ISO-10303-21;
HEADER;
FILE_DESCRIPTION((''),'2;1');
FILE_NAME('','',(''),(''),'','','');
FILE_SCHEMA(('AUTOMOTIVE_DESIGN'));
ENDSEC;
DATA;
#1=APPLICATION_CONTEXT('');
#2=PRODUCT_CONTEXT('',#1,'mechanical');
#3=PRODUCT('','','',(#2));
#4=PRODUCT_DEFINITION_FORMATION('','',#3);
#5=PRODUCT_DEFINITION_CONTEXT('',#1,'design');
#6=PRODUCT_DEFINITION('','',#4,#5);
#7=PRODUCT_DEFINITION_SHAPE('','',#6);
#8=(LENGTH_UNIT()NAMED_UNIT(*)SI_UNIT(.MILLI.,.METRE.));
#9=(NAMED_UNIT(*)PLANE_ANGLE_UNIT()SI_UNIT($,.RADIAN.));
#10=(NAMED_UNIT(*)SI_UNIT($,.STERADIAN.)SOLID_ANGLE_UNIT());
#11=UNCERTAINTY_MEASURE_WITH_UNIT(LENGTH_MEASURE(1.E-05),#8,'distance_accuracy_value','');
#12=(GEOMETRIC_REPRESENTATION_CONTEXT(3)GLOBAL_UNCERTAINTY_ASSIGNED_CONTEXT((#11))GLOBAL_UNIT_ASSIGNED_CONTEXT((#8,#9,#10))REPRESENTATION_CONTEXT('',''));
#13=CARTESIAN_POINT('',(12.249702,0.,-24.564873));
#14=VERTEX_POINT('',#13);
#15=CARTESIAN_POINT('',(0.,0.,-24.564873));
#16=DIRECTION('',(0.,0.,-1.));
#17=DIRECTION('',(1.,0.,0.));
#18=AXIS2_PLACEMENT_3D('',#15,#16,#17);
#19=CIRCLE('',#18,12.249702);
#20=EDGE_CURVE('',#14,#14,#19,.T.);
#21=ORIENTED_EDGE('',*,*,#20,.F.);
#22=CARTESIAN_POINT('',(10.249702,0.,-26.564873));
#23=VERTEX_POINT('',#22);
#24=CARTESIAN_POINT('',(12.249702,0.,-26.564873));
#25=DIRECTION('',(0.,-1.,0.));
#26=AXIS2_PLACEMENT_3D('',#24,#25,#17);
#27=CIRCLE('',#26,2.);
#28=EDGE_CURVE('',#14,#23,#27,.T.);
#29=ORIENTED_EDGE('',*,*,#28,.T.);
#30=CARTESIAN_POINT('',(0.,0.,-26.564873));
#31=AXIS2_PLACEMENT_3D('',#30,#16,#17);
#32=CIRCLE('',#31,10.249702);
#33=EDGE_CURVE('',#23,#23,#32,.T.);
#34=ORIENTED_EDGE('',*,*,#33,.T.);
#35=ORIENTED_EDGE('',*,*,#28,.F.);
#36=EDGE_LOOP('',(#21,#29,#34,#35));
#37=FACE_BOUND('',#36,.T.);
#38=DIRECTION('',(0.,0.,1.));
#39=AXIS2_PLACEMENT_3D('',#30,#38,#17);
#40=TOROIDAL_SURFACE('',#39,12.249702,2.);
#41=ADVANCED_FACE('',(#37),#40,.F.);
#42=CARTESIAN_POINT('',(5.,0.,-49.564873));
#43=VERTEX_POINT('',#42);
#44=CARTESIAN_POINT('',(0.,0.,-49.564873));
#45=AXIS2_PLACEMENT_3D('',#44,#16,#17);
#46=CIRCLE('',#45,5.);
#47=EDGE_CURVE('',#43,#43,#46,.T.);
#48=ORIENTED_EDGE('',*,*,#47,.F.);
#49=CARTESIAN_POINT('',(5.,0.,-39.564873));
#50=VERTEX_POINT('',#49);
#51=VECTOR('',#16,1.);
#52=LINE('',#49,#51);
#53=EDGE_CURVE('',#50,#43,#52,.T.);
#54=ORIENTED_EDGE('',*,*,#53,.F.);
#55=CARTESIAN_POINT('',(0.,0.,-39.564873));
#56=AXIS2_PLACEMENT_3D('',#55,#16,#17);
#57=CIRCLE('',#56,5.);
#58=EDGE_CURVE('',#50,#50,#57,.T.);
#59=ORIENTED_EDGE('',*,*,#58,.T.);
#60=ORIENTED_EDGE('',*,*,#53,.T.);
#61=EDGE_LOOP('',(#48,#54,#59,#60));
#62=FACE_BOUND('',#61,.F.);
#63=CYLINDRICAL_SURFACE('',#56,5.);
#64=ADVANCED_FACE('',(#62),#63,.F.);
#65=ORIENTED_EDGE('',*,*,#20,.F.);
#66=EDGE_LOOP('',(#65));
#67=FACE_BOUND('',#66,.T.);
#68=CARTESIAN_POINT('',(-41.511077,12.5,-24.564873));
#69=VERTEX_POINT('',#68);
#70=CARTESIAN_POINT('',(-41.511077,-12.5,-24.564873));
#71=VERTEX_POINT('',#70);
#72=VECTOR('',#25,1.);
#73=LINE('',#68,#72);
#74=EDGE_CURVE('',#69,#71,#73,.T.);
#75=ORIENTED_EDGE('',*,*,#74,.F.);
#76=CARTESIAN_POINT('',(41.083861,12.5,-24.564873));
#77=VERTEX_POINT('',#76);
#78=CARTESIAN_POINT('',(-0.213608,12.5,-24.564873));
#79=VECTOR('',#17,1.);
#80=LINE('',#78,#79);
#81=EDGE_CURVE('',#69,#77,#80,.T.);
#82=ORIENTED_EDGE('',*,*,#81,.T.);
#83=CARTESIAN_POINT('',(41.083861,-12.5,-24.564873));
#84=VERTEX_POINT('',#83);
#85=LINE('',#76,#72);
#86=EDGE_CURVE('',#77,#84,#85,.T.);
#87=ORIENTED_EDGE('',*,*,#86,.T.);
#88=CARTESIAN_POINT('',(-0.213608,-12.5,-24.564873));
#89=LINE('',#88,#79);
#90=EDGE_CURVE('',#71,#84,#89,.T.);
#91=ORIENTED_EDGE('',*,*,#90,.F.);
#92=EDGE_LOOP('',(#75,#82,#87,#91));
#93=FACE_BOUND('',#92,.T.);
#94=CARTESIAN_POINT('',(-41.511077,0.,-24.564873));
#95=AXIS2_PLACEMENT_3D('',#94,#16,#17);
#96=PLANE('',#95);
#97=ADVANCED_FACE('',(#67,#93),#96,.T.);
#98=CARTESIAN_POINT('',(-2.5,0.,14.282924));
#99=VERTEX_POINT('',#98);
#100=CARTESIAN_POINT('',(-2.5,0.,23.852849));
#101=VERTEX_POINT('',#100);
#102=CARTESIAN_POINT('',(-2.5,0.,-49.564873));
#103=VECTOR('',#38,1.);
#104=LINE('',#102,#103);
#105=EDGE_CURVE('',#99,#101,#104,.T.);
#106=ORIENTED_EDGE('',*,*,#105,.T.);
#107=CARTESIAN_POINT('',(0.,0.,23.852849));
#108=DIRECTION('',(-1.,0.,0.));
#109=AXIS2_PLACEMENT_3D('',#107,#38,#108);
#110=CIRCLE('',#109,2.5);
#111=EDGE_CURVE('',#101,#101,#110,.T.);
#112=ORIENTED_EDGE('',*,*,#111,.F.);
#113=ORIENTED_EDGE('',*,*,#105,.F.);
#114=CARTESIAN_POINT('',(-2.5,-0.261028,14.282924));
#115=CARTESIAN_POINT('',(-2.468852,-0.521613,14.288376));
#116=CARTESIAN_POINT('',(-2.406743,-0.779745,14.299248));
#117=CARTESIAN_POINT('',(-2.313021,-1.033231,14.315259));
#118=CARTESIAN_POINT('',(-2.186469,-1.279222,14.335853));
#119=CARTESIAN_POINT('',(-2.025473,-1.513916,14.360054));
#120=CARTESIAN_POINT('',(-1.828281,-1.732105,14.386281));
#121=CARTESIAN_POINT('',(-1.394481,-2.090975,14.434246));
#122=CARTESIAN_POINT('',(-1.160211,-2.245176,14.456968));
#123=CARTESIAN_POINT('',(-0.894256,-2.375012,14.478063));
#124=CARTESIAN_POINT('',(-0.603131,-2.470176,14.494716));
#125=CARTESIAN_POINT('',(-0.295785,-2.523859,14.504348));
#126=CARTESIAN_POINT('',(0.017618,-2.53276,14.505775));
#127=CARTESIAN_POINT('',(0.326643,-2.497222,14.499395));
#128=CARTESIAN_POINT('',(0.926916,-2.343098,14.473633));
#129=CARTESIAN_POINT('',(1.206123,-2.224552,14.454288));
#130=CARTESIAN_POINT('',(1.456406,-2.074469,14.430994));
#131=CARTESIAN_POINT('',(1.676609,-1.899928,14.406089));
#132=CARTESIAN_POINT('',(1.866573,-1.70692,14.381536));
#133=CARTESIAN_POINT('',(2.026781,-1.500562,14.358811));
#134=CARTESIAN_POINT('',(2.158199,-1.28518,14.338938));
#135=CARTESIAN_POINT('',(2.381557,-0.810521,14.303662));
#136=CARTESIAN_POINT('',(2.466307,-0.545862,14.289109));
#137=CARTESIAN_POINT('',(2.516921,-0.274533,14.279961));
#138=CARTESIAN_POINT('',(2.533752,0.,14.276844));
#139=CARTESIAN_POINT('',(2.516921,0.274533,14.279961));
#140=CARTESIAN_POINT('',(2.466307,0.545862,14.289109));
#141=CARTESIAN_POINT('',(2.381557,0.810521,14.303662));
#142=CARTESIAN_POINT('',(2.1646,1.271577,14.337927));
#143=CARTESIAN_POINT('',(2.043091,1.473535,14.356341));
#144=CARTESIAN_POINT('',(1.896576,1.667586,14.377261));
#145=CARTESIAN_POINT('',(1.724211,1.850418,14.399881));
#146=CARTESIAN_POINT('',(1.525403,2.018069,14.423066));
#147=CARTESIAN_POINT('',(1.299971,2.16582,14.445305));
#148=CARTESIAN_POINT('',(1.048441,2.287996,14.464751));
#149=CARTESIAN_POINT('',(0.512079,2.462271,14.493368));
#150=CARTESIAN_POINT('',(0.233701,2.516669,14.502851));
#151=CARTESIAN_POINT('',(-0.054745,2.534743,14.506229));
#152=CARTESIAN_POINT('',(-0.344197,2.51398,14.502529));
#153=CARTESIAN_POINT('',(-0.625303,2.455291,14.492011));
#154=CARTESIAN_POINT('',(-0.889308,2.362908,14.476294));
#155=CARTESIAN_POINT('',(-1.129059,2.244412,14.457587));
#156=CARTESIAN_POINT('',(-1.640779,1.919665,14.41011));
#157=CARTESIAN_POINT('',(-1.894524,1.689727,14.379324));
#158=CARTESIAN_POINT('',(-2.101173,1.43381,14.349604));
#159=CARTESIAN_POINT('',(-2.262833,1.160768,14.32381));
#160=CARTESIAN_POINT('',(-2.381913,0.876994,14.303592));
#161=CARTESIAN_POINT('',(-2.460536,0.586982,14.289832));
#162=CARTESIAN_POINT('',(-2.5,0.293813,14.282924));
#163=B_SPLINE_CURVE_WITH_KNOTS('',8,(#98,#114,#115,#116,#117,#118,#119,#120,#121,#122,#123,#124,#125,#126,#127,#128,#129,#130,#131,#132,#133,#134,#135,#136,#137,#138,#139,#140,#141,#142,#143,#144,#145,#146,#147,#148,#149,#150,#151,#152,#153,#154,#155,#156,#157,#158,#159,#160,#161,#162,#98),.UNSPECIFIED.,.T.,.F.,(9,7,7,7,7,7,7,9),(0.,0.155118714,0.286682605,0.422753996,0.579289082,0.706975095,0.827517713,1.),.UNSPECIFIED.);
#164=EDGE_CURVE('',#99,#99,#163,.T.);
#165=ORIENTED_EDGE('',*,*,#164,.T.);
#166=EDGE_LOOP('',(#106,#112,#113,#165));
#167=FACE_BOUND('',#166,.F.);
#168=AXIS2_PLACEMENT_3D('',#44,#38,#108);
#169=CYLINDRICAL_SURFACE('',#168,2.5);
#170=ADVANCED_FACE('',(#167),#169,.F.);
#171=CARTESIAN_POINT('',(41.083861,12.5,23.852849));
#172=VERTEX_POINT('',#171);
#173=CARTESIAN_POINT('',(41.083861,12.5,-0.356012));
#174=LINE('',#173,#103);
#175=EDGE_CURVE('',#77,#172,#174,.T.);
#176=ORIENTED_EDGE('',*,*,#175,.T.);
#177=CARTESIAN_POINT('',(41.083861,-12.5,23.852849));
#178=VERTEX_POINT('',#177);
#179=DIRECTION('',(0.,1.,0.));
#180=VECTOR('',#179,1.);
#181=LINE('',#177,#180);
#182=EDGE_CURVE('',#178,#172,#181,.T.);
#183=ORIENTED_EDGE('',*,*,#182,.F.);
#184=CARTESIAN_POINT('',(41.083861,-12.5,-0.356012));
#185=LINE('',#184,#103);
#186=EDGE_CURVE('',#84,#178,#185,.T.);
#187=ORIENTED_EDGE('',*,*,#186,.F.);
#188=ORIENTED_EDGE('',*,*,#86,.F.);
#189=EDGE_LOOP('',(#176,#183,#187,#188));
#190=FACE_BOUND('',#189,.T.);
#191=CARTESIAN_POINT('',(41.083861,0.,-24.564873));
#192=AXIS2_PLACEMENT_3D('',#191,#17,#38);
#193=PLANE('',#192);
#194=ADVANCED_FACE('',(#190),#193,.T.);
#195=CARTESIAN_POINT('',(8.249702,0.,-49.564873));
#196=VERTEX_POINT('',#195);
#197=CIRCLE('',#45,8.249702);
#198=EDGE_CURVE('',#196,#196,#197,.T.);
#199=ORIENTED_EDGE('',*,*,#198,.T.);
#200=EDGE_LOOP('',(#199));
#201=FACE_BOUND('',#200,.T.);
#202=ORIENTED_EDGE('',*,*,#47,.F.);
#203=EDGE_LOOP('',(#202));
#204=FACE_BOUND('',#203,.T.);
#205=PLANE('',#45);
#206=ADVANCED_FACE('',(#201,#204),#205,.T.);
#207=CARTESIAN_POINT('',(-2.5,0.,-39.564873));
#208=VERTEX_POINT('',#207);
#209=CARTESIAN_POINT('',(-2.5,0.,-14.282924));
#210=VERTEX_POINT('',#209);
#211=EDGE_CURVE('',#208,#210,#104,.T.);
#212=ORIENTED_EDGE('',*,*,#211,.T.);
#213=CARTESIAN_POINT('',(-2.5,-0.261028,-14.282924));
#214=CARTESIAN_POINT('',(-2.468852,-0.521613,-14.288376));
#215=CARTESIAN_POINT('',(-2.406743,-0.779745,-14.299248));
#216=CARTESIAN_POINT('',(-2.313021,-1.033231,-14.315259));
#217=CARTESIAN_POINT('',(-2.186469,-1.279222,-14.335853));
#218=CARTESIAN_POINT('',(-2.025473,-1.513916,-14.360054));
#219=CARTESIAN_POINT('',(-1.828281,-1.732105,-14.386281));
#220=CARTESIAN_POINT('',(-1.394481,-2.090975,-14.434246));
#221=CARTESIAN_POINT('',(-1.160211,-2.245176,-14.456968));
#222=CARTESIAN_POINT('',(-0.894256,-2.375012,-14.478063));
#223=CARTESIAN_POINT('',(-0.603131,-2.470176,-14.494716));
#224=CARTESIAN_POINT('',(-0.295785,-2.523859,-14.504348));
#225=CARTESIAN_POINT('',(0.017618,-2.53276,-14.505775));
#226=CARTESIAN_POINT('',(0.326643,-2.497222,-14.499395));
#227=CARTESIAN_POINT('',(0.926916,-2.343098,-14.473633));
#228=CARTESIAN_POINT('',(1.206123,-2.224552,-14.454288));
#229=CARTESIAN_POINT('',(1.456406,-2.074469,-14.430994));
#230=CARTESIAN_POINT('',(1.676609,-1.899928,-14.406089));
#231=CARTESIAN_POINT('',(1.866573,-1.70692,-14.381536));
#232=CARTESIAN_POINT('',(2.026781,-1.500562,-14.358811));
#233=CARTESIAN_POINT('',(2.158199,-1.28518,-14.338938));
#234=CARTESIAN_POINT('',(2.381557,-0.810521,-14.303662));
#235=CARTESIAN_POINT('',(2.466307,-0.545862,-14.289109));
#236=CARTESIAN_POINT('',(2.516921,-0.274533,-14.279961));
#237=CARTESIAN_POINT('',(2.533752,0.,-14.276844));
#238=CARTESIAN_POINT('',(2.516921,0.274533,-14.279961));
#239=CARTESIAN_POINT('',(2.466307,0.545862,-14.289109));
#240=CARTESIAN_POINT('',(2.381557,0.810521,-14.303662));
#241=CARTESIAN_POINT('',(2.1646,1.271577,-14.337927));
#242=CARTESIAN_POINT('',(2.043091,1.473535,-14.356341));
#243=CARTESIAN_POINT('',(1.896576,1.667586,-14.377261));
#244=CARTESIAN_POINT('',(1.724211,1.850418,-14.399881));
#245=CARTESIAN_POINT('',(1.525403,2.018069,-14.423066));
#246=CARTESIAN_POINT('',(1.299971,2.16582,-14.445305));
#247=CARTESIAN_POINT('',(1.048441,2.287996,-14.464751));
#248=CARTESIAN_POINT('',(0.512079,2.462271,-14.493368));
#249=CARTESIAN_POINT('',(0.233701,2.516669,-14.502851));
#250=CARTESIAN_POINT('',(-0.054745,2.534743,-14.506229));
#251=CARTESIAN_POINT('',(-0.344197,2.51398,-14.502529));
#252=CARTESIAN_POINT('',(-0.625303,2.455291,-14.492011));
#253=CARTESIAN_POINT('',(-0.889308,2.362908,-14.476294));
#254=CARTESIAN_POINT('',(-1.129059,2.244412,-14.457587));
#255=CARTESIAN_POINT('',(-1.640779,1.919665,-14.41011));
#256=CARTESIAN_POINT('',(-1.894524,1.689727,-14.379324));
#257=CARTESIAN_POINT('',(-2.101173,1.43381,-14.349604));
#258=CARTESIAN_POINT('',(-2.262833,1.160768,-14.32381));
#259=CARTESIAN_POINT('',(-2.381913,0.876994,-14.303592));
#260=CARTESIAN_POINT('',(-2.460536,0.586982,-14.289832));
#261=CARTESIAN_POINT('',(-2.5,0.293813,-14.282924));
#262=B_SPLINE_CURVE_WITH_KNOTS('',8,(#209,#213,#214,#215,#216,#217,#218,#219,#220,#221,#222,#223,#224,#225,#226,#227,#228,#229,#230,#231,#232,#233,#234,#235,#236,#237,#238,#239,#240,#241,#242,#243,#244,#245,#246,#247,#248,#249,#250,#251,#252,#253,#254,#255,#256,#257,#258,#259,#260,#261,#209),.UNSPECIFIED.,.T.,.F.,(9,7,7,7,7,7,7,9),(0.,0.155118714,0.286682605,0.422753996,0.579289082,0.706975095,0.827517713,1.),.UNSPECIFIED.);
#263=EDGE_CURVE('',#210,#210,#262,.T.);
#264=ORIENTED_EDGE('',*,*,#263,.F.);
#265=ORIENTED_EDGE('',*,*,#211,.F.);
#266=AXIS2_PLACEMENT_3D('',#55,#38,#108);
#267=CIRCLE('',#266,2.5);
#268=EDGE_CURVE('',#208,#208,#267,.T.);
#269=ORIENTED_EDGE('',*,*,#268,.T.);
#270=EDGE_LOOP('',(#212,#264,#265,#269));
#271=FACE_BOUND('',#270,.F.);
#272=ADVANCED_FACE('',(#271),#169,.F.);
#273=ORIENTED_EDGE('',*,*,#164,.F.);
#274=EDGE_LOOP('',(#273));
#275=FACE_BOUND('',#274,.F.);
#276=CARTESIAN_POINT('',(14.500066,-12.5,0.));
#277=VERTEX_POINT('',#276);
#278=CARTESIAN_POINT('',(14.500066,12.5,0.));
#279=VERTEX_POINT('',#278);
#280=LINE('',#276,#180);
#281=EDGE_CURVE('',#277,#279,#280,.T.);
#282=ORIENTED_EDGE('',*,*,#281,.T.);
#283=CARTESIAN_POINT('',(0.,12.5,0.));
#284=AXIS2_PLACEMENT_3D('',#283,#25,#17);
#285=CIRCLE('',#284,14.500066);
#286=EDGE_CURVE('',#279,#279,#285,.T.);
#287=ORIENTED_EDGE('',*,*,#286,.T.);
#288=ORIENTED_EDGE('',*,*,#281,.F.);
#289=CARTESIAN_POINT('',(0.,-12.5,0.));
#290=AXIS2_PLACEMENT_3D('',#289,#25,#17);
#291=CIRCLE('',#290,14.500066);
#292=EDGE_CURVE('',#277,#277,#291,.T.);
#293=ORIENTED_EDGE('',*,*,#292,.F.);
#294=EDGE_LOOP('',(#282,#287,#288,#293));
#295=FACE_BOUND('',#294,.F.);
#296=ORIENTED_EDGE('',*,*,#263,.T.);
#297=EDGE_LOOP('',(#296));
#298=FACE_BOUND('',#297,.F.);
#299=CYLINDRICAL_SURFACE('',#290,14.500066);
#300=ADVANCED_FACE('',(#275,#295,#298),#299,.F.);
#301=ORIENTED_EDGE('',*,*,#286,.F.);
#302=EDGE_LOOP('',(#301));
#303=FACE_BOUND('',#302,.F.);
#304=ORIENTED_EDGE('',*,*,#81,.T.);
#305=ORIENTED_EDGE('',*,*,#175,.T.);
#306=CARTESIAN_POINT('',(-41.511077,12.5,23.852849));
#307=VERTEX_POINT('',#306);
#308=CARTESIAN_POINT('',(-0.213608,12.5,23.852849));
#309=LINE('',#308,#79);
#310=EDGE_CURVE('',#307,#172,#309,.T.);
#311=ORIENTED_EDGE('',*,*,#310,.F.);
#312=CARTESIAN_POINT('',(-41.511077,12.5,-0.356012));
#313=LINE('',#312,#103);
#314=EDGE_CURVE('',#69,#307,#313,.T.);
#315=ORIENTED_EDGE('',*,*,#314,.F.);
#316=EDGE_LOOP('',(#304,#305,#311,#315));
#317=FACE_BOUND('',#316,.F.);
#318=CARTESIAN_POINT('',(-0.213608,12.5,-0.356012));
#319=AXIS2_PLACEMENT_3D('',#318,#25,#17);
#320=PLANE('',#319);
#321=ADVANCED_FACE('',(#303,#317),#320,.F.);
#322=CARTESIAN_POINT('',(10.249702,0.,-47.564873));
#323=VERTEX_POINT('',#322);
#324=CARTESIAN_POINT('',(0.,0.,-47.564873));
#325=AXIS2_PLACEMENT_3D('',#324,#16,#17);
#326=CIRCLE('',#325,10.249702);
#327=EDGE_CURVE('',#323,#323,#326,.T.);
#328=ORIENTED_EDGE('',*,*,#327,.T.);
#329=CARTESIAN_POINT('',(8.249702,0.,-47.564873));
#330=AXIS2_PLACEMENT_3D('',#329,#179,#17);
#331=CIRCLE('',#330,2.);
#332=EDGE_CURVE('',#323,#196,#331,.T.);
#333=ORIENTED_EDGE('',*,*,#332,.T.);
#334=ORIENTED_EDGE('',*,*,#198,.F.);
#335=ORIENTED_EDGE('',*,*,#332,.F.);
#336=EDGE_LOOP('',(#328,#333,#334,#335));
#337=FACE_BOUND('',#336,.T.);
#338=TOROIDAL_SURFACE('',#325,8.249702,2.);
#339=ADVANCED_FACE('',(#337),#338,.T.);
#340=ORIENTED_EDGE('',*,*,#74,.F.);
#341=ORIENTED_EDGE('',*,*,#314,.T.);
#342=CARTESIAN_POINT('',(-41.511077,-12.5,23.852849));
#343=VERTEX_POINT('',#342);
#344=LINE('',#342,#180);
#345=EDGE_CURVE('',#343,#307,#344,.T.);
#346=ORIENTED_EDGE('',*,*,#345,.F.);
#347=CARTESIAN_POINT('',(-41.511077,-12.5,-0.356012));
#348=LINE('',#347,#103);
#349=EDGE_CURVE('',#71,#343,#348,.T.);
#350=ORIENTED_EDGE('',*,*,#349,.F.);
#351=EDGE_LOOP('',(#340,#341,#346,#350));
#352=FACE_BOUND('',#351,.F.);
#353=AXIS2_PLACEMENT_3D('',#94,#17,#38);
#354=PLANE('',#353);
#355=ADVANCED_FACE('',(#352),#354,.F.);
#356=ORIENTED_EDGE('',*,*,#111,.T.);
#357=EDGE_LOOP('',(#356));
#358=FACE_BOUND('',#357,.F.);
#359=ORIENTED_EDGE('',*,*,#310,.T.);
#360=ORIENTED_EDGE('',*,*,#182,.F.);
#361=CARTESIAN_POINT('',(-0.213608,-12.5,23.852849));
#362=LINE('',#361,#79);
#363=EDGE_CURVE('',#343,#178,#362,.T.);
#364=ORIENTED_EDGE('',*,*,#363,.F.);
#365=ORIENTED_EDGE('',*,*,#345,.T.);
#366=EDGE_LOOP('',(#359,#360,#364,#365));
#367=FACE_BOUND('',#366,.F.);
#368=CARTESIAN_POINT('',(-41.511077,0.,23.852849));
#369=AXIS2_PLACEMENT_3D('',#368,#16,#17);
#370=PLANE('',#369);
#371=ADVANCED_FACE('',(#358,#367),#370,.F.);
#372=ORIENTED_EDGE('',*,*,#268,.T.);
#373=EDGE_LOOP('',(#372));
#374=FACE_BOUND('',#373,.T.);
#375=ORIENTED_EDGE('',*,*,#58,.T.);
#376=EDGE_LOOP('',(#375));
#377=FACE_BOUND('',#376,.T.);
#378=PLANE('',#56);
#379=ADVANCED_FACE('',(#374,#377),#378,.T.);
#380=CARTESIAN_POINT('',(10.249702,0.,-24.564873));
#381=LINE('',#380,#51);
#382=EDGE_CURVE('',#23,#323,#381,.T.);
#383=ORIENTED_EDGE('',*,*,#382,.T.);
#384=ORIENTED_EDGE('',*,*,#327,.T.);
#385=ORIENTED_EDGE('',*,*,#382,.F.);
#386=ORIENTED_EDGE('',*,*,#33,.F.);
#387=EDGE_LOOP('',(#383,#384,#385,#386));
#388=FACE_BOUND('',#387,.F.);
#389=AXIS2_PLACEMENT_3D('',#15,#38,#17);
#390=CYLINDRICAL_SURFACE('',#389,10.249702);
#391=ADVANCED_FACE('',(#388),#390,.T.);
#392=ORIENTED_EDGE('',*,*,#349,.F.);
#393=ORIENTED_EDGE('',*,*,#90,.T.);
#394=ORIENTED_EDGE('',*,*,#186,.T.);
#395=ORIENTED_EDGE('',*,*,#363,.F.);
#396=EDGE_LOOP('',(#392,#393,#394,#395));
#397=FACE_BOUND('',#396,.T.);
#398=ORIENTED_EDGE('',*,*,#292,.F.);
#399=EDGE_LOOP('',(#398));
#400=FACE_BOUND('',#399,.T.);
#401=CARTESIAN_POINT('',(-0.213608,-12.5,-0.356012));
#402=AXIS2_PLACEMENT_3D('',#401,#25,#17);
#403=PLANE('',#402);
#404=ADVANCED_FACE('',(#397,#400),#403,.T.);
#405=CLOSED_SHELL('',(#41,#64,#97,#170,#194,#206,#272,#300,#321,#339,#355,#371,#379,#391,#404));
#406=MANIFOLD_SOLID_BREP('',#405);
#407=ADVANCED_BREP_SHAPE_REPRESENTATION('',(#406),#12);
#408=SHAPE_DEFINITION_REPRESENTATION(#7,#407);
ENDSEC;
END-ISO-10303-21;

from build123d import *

# Parameters (mm, degrees)
F0_W           = 82.594938
F0_H           = 48.417722
F1_DEPTH       = 12.5
F2_R           = 14.500066
F3_DEPTH       = 25.001
F4_R           = 10.249702
F5_DEPTH       = 25
F6_R           = 2
F8_D           = 5
F8_CBORE_D     = 10
F8_CBORE_DEPTH = 10


with BuildPart() as f1:
    # F0 (on Front) → F1 (new body, symmetric)
    with BuildSketch(Plane.XZ):
        with Locations((-0.213608, -0.356012)):
            Rectangle(F0_W, F0_H)
    extrude(amount=F1_DEPTH, both=True)

    # F2 (on face) → F3 (cut, through all)
    with BuildSketch(Plane.XZ.offset(12.5)):
        Circle(F2_R)
    extrude(amount=-F3_DEPTH, mode=Mode.SUBTRACT)

    # F4 (on face) → F5 (join)
    with BuildSketch(Plane(origin=(0, 0, -24.564873), x_dir=(1, 0, 0), z_dir=(0, 0, -1))):
        Circle(F4_R)
    extrude(amount=F5_DEPTH)

    # F6
    f6_edges = [f1.edges().sort_by_distance(p)[0] for p in [
        (-10.249702, 0, -49.564873),
        (10.249702, 0, -37.064873),
        (-10.249702, 0, -24.564873),
    ]]
    fillet(f6_edges, radius=F6_R)

    # F8 (through all)
    with Locations(Plane(origin=(0, 0, -49.564873), x_dir=(1, 0, 0), z_dir=(0, 0, -1))):
        with Locations((0, 0)):
            CounterBoreHole(F8_D / 2, F8_CBORE_D / 2, F8_CBORE_DEPTH)


solid = f1.part
